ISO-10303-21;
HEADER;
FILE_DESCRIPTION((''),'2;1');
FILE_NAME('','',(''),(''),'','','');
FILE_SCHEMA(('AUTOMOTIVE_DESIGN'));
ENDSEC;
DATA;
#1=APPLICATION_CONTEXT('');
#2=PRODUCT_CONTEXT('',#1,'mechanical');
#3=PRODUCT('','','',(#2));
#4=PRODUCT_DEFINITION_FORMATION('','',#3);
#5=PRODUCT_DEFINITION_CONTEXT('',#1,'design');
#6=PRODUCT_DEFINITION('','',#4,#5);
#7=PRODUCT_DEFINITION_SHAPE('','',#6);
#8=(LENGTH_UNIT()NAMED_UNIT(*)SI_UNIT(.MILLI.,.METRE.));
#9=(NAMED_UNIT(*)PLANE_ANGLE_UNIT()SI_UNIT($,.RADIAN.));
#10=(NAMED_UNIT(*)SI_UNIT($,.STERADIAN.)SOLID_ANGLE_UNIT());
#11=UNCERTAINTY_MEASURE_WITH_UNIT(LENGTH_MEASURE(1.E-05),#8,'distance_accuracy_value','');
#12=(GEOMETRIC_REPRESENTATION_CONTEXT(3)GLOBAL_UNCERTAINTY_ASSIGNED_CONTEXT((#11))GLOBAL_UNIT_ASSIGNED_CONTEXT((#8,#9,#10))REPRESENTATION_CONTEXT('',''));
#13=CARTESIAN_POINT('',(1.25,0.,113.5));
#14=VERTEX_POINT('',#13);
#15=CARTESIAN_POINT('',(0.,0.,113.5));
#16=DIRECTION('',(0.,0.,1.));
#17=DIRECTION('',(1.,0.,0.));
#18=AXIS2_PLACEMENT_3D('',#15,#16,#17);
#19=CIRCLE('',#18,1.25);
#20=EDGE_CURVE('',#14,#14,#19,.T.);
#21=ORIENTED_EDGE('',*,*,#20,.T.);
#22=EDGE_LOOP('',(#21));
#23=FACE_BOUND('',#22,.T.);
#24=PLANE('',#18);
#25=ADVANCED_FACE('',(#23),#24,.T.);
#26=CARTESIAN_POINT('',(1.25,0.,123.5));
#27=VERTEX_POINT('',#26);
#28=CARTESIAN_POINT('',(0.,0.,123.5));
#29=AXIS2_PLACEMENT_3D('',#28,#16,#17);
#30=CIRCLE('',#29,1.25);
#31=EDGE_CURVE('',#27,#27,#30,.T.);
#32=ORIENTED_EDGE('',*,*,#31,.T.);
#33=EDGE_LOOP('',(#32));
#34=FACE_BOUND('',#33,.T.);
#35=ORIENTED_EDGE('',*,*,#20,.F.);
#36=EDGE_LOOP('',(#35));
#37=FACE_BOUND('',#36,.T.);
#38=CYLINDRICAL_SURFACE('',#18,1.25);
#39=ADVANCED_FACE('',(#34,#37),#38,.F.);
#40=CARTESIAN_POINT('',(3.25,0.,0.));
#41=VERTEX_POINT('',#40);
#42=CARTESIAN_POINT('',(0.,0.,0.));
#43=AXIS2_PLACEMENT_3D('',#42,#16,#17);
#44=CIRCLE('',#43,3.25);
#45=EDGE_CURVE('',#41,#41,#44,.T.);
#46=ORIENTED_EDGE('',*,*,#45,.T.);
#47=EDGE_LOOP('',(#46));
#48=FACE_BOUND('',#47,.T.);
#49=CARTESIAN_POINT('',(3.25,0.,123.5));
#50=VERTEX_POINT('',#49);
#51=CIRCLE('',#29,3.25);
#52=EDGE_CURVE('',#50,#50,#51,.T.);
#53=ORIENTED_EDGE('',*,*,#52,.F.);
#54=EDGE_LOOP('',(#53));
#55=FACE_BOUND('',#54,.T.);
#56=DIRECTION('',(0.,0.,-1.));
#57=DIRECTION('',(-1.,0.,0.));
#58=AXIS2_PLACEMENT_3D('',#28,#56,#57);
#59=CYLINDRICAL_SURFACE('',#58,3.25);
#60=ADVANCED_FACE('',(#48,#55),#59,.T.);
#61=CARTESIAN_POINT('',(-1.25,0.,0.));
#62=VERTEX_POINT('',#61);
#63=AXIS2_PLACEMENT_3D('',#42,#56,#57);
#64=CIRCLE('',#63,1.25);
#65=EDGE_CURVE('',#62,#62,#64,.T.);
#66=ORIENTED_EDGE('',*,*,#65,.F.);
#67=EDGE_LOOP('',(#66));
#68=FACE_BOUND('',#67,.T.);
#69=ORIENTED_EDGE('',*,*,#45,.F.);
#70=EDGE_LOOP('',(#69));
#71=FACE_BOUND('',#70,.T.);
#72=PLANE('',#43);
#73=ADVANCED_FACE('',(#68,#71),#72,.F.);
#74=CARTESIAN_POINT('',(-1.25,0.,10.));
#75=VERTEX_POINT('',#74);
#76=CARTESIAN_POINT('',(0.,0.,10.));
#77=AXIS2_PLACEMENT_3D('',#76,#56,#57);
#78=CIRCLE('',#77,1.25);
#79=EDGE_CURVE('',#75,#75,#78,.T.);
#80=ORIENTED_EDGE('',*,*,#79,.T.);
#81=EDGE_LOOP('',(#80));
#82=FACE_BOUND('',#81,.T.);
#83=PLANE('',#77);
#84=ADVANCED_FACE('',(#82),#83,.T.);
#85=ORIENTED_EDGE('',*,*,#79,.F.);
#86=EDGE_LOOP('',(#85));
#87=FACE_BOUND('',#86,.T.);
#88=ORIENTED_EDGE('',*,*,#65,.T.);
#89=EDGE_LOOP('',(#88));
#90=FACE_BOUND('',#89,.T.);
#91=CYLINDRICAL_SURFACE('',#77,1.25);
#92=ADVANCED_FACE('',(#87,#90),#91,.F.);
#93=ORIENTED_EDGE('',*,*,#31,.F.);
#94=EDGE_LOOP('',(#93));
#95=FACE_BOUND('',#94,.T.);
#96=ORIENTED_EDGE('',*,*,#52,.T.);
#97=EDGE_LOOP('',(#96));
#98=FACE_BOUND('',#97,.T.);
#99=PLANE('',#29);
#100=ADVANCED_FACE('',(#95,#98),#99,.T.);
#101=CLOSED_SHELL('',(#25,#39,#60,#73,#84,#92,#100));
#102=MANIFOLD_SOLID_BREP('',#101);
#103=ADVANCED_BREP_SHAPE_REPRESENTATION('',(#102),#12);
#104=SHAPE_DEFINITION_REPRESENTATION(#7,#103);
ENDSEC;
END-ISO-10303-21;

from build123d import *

# Parameters (mm, degrees)
SKETCH1_R           = 3.25
BOSS_EXTRUDE1_DEPTH = 123.5
SKETCH3_R           = 1.25
CUT_EXTRUDE1_DEPTH  = 10
CUT_EXTRUDE2_START  = -10
SKETCH2_R           = 1.25
CUT_EXTRUDE2_DEPTH  = 10


with BuildPart() as part:
    # Sketch1 → Boss-Extrude1 (new body)
    with BuildSketch(Plane.XY):
        Circle(SKETCH1_R)
    extrude(amount=BOSS_EXTRUDE1_DEPTH)

    # Sketch3 → Cut-Extrude1 (cut)
    with BuildSketch(Plane.XY.offset(123.5)):
        Circle(SKETCH3_R)
    extrude(amount=-CUT_EXTRUDE1_DEPTH, mode=Mode.SUBTRACT)

    # Sketch2 → Cut-Extrude2 (cut)
    with BuildSketch(Plane(origin=(0, 0, 0), x_dir=(-1, 0, 0), z_dir=(0, 0, -1)).offset(CUT_EXTRUDE2_START)):
        with Locations(Location((0, 0, 0), (0, 0, 180))):
            Circle(SKETCH2_R)
    extrude(amount=CUT_EXTRUDE2_DEPTH, mode=Mode.SUBTRACT)


solid = part.part
